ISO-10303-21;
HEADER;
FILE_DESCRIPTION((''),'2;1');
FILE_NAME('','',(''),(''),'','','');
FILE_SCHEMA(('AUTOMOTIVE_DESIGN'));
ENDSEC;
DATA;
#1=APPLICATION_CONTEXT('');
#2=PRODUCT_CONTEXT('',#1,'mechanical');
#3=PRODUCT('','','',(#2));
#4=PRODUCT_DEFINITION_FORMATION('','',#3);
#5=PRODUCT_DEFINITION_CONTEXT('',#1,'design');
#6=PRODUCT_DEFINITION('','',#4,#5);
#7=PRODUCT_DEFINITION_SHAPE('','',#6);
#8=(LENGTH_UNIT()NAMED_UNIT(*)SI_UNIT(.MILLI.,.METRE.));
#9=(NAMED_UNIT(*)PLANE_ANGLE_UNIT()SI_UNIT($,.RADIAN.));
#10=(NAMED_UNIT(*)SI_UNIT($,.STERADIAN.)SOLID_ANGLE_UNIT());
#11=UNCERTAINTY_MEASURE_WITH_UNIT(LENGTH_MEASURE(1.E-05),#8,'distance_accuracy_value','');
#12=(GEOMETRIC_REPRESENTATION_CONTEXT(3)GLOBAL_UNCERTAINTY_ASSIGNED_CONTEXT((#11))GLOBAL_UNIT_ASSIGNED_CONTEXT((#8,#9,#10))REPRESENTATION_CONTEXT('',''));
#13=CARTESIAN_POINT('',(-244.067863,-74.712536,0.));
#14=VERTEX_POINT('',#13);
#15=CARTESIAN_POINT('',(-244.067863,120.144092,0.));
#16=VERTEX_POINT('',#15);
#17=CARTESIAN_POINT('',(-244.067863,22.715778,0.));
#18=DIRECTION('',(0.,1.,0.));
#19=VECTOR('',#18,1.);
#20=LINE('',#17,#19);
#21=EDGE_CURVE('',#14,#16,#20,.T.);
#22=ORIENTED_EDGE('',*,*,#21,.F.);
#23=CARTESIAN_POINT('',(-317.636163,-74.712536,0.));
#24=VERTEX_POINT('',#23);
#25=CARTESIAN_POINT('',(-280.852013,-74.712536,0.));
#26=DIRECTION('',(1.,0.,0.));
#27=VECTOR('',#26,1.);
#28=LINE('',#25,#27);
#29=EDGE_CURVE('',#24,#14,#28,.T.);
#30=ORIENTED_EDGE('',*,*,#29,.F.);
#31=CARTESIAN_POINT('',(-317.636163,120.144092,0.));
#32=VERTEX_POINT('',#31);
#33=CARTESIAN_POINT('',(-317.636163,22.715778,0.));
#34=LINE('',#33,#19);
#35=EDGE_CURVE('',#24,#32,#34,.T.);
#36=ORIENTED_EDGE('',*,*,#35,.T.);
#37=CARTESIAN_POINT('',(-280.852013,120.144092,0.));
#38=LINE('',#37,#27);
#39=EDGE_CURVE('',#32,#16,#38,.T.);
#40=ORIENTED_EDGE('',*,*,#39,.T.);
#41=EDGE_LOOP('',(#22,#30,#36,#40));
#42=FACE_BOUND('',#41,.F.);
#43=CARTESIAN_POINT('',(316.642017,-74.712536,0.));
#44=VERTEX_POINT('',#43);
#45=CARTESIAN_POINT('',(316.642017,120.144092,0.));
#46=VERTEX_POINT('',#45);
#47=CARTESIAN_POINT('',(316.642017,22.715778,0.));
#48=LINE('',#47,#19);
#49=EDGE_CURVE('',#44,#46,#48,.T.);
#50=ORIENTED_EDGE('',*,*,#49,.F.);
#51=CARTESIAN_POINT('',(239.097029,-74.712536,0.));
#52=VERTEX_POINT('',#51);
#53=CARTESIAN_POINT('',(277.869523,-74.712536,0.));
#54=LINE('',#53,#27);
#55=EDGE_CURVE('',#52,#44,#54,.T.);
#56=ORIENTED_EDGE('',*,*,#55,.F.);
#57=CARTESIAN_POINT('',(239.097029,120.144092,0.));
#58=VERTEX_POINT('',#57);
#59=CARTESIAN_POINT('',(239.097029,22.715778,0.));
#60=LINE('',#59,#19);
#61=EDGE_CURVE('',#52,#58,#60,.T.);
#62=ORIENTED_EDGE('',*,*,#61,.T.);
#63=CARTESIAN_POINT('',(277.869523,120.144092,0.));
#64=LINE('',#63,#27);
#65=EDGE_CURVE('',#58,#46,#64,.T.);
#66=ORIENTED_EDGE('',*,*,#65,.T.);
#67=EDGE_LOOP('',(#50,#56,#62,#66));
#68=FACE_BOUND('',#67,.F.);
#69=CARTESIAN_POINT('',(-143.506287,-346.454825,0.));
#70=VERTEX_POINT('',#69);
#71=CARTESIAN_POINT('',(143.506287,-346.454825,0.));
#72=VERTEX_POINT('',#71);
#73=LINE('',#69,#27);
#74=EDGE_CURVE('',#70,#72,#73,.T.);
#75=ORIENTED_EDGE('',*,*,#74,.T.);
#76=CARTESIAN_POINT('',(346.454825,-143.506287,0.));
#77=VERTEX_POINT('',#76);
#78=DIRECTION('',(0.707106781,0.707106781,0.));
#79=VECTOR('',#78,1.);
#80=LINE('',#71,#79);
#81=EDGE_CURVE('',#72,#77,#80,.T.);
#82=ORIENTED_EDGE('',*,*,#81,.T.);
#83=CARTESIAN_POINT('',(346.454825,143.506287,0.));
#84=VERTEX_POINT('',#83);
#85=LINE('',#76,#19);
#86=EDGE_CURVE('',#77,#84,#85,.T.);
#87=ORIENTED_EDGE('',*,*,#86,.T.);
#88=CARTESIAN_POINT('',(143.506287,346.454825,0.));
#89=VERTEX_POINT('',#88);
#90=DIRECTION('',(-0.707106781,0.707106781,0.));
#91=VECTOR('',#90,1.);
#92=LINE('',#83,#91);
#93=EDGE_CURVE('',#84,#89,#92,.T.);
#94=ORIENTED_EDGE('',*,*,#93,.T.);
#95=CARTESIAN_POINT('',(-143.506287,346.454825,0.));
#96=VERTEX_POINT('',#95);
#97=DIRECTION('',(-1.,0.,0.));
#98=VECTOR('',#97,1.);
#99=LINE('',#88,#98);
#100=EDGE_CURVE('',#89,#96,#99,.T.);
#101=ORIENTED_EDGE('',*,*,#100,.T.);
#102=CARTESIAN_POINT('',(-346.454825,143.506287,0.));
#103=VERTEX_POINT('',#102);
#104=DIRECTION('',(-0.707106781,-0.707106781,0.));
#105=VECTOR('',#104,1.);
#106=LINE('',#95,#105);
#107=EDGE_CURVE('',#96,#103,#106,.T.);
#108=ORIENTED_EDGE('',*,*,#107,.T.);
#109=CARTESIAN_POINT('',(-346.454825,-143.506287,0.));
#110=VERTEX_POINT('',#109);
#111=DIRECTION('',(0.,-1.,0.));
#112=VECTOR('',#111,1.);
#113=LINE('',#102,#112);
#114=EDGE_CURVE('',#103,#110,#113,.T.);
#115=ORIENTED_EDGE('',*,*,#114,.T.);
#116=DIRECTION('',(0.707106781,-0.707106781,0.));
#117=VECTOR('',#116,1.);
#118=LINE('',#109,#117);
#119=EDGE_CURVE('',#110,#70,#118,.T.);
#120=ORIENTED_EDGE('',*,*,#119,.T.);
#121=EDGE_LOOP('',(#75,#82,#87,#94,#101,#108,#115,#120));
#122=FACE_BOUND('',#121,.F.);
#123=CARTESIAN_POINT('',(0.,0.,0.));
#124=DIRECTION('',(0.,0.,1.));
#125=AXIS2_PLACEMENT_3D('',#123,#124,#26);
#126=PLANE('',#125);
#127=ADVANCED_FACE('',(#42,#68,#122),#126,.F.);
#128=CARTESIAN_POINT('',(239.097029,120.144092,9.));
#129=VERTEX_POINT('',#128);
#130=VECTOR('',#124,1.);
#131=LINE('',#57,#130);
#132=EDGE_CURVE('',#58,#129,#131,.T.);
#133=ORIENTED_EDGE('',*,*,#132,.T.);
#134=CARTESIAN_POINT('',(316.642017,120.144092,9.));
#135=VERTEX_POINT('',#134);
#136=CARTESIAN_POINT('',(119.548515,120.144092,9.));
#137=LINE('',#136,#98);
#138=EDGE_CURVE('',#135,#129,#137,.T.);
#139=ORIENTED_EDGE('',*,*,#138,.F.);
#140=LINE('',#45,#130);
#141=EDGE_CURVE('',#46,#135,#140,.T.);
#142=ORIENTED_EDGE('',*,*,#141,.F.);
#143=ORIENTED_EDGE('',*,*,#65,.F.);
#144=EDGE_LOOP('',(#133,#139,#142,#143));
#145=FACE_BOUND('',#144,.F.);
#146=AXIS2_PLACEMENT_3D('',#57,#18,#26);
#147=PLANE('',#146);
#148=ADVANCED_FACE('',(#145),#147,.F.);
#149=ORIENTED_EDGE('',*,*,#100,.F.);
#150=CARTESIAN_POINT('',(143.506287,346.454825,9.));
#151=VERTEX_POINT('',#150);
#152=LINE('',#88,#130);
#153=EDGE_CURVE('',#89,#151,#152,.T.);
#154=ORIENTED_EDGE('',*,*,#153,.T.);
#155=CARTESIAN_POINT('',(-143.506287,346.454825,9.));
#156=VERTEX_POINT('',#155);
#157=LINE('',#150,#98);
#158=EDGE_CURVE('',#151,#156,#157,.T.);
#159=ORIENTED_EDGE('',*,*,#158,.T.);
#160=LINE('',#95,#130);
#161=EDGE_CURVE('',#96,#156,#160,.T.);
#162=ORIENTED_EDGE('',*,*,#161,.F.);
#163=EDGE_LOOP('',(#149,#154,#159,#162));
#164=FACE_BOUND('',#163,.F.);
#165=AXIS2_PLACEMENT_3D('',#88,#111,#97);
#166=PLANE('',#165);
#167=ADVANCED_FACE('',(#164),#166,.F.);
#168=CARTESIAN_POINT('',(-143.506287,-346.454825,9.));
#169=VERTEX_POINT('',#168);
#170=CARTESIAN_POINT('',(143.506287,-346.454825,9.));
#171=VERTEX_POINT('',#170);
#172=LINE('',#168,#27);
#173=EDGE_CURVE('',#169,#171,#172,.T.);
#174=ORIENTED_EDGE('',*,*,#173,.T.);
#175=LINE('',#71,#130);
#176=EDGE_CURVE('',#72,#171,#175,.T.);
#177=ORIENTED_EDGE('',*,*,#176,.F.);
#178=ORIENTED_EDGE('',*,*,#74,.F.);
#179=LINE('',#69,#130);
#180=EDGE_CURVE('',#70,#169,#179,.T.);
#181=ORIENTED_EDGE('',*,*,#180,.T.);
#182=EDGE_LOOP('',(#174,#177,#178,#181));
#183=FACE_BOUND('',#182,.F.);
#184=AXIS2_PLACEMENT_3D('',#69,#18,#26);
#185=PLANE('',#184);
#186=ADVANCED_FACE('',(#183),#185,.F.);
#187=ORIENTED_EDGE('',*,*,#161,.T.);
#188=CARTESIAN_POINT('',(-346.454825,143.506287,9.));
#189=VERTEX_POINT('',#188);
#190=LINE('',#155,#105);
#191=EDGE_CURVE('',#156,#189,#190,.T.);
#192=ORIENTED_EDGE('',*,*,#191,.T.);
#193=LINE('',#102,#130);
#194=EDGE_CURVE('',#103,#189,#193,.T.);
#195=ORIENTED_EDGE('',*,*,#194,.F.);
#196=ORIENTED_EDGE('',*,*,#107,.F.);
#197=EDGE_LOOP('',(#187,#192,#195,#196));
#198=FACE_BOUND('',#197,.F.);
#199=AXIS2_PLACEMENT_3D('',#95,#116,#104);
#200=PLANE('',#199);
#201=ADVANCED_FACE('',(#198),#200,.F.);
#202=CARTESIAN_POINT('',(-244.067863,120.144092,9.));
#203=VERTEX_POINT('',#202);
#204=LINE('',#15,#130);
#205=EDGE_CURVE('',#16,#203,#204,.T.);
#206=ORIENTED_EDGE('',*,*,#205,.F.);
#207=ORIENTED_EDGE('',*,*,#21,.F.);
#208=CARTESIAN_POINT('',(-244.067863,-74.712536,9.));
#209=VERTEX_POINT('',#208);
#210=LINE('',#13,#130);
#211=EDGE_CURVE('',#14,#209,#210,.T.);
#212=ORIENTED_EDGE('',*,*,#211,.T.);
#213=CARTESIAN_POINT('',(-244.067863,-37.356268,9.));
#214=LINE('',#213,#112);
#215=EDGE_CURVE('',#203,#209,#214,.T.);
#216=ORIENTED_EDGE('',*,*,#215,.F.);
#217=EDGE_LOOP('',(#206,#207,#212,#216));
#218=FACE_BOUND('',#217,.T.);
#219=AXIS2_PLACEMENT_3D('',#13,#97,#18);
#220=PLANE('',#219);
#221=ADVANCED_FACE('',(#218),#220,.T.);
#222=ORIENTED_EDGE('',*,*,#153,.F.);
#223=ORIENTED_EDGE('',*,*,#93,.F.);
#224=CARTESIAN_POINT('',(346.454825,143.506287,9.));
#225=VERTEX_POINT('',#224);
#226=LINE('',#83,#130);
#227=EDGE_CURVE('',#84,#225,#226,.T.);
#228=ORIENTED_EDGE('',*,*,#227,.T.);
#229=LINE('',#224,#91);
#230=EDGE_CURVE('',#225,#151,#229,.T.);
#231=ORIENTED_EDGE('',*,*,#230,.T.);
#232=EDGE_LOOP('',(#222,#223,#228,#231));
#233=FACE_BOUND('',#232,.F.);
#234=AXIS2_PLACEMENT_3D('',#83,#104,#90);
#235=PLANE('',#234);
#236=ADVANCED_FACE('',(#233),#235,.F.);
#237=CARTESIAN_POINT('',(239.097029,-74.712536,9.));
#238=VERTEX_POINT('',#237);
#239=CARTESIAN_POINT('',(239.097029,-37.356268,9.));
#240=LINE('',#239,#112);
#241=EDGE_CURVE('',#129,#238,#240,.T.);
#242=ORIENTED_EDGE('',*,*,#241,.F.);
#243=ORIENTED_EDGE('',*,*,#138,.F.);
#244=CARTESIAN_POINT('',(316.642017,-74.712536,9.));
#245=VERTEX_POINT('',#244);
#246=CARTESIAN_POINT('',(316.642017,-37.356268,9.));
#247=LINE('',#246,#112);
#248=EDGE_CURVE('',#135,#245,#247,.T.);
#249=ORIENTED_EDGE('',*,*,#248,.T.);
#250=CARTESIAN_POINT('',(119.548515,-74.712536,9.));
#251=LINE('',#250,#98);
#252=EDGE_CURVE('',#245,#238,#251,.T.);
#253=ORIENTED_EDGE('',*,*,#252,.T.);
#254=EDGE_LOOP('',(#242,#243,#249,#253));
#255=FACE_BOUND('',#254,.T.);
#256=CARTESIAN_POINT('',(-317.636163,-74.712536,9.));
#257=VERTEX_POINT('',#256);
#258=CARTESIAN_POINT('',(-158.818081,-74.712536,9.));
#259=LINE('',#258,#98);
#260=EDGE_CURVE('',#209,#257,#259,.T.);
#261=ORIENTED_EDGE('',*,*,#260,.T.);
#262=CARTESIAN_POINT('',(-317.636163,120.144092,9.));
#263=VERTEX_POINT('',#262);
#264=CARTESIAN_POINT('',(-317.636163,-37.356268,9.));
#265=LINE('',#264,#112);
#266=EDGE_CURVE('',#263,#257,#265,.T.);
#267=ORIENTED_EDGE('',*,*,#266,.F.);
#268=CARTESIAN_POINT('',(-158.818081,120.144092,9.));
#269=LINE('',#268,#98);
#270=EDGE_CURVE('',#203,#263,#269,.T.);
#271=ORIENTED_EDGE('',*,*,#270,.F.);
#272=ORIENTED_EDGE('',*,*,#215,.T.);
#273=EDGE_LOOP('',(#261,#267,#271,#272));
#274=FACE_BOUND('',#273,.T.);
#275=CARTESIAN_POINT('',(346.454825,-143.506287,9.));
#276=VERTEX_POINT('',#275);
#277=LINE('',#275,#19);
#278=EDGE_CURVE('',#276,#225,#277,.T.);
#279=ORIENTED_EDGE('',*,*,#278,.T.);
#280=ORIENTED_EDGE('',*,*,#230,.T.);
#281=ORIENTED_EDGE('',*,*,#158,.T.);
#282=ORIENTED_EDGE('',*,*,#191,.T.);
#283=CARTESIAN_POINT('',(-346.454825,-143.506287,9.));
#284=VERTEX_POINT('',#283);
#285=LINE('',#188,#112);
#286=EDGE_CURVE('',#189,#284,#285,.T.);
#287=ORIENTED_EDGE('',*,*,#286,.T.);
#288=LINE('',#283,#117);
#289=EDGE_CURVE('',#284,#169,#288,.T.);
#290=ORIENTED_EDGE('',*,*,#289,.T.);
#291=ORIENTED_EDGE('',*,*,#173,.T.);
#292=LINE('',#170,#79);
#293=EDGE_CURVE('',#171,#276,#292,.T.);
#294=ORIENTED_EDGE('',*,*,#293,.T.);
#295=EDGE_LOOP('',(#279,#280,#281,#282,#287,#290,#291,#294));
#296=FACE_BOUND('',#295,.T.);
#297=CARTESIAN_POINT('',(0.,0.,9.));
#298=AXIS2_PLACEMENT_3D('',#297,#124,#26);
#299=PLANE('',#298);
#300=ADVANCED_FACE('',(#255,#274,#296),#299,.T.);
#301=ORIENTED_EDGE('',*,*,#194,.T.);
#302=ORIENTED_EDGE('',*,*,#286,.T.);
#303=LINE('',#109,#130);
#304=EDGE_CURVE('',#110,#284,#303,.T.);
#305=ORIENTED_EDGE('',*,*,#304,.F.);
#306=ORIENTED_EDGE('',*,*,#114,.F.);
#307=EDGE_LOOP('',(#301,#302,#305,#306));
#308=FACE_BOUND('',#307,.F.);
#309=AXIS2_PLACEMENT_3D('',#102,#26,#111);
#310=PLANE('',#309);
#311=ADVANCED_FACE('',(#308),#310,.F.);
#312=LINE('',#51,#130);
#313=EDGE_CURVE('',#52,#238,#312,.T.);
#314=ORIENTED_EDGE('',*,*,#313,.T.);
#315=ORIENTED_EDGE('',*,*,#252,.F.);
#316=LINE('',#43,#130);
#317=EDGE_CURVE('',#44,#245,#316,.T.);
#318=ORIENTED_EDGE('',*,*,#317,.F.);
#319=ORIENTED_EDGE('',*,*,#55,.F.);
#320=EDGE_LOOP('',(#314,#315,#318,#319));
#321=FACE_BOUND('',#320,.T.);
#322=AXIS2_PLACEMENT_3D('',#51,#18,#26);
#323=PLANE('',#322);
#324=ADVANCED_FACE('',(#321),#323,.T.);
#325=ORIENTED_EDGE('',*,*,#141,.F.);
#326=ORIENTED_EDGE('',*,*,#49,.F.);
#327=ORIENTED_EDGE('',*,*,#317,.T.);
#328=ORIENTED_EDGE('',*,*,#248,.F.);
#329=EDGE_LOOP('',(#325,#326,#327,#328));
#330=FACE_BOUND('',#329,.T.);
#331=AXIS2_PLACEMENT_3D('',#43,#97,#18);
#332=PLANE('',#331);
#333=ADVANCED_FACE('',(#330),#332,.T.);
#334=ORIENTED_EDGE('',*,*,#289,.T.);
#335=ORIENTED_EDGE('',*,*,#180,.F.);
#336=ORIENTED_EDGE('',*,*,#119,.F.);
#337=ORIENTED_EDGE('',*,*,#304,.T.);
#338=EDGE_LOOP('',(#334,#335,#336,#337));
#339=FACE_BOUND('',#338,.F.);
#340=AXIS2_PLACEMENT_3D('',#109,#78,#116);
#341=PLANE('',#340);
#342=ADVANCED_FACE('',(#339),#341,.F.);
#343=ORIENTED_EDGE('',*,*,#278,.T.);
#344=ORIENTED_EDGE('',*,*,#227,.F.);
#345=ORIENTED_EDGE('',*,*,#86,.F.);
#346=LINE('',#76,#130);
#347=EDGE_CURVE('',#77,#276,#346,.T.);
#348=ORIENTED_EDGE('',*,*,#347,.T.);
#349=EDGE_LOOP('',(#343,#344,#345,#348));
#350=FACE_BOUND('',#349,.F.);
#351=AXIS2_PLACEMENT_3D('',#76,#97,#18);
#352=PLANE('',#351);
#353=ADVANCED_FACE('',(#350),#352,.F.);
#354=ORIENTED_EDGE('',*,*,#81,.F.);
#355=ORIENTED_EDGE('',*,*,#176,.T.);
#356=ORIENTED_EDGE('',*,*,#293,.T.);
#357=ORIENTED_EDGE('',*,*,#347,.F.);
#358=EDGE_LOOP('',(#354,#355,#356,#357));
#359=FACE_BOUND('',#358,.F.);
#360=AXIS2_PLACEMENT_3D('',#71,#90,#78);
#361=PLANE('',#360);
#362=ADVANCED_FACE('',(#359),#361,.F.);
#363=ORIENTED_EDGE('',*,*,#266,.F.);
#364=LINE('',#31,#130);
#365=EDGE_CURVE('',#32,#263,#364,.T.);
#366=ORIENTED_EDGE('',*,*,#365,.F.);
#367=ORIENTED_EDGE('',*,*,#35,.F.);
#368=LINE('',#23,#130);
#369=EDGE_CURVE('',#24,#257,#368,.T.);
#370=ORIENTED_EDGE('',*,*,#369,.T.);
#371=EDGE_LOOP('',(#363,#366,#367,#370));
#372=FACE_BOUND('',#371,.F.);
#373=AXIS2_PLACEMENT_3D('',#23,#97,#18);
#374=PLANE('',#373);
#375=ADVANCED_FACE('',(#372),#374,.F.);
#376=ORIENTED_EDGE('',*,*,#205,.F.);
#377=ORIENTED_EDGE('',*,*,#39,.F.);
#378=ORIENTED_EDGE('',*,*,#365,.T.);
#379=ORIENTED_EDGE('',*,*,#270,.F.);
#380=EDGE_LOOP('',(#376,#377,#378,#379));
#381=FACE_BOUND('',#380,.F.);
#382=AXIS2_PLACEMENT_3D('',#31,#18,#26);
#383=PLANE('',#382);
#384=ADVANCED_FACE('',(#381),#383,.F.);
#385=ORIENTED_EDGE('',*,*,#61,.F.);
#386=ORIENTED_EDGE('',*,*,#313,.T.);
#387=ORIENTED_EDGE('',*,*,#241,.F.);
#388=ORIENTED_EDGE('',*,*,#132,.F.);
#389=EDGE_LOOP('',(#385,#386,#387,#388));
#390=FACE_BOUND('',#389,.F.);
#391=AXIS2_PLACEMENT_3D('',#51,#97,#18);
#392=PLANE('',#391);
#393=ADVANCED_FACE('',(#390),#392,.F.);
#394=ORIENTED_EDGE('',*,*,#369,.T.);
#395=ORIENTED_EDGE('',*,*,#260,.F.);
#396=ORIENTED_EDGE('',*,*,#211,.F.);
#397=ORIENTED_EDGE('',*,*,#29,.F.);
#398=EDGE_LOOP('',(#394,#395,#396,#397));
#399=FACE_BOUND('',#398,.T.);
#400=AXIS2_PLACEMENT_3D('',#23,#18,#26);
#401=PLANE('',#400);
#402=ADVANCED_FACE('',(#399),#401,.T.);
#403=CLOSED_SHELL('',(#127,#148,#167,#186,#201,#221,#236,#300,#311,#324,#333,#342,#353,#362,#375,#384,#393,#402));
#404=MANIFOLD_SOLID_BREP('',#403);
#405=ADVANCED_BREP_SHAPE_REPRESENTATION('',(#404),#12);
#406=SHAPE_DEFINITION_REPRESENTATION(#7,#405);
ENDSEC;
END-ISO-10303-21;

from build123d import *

# Parameters (mm, degrees)
F1_DEPTH = 9
F2_W     = 77.544987
F2_H     = 194.856629
F3_DEPTH = 9.001
F2_W_2   = 73.568299
F4_DEPTH = 9.001


with BuildPart() as f1:
    # F0 (on Top) → F1 (new body)
    with BuildSketch(Plane.XY):
        Polygon((143.506287, 346.454825), (-143.506287, 346.454825), (-346.454825, 143.506287), (-346.454825, -143.506287), (-143.506287, -346.454825), (143.506287, -346.454825), (346.454825, -143.506287), (346.454825, 143.506287), align=None)
    extrude(amount=F1_DEPTH)

    # F2 (on face) → F3 (cut, through all)
    with BuildSketch(Plane.XY):
        with Locations((277.869523, 22.715778)):
            Rectangle(F2_W, F2_H)
    extrude(amount=F3_DEPTH, mode=Mode.SUBTRACT)

    # F2 (on face) → F4 (cut, through all)
    with BuildSketch(Plane.XY):
        with Locations((-280.852013, 22.715778)):
            Rectangle(F2_W_2, F2_H)
    extrude(amount=F4_DEPTH, mode=Mode.SUBTRACT)


solid = f1.part
